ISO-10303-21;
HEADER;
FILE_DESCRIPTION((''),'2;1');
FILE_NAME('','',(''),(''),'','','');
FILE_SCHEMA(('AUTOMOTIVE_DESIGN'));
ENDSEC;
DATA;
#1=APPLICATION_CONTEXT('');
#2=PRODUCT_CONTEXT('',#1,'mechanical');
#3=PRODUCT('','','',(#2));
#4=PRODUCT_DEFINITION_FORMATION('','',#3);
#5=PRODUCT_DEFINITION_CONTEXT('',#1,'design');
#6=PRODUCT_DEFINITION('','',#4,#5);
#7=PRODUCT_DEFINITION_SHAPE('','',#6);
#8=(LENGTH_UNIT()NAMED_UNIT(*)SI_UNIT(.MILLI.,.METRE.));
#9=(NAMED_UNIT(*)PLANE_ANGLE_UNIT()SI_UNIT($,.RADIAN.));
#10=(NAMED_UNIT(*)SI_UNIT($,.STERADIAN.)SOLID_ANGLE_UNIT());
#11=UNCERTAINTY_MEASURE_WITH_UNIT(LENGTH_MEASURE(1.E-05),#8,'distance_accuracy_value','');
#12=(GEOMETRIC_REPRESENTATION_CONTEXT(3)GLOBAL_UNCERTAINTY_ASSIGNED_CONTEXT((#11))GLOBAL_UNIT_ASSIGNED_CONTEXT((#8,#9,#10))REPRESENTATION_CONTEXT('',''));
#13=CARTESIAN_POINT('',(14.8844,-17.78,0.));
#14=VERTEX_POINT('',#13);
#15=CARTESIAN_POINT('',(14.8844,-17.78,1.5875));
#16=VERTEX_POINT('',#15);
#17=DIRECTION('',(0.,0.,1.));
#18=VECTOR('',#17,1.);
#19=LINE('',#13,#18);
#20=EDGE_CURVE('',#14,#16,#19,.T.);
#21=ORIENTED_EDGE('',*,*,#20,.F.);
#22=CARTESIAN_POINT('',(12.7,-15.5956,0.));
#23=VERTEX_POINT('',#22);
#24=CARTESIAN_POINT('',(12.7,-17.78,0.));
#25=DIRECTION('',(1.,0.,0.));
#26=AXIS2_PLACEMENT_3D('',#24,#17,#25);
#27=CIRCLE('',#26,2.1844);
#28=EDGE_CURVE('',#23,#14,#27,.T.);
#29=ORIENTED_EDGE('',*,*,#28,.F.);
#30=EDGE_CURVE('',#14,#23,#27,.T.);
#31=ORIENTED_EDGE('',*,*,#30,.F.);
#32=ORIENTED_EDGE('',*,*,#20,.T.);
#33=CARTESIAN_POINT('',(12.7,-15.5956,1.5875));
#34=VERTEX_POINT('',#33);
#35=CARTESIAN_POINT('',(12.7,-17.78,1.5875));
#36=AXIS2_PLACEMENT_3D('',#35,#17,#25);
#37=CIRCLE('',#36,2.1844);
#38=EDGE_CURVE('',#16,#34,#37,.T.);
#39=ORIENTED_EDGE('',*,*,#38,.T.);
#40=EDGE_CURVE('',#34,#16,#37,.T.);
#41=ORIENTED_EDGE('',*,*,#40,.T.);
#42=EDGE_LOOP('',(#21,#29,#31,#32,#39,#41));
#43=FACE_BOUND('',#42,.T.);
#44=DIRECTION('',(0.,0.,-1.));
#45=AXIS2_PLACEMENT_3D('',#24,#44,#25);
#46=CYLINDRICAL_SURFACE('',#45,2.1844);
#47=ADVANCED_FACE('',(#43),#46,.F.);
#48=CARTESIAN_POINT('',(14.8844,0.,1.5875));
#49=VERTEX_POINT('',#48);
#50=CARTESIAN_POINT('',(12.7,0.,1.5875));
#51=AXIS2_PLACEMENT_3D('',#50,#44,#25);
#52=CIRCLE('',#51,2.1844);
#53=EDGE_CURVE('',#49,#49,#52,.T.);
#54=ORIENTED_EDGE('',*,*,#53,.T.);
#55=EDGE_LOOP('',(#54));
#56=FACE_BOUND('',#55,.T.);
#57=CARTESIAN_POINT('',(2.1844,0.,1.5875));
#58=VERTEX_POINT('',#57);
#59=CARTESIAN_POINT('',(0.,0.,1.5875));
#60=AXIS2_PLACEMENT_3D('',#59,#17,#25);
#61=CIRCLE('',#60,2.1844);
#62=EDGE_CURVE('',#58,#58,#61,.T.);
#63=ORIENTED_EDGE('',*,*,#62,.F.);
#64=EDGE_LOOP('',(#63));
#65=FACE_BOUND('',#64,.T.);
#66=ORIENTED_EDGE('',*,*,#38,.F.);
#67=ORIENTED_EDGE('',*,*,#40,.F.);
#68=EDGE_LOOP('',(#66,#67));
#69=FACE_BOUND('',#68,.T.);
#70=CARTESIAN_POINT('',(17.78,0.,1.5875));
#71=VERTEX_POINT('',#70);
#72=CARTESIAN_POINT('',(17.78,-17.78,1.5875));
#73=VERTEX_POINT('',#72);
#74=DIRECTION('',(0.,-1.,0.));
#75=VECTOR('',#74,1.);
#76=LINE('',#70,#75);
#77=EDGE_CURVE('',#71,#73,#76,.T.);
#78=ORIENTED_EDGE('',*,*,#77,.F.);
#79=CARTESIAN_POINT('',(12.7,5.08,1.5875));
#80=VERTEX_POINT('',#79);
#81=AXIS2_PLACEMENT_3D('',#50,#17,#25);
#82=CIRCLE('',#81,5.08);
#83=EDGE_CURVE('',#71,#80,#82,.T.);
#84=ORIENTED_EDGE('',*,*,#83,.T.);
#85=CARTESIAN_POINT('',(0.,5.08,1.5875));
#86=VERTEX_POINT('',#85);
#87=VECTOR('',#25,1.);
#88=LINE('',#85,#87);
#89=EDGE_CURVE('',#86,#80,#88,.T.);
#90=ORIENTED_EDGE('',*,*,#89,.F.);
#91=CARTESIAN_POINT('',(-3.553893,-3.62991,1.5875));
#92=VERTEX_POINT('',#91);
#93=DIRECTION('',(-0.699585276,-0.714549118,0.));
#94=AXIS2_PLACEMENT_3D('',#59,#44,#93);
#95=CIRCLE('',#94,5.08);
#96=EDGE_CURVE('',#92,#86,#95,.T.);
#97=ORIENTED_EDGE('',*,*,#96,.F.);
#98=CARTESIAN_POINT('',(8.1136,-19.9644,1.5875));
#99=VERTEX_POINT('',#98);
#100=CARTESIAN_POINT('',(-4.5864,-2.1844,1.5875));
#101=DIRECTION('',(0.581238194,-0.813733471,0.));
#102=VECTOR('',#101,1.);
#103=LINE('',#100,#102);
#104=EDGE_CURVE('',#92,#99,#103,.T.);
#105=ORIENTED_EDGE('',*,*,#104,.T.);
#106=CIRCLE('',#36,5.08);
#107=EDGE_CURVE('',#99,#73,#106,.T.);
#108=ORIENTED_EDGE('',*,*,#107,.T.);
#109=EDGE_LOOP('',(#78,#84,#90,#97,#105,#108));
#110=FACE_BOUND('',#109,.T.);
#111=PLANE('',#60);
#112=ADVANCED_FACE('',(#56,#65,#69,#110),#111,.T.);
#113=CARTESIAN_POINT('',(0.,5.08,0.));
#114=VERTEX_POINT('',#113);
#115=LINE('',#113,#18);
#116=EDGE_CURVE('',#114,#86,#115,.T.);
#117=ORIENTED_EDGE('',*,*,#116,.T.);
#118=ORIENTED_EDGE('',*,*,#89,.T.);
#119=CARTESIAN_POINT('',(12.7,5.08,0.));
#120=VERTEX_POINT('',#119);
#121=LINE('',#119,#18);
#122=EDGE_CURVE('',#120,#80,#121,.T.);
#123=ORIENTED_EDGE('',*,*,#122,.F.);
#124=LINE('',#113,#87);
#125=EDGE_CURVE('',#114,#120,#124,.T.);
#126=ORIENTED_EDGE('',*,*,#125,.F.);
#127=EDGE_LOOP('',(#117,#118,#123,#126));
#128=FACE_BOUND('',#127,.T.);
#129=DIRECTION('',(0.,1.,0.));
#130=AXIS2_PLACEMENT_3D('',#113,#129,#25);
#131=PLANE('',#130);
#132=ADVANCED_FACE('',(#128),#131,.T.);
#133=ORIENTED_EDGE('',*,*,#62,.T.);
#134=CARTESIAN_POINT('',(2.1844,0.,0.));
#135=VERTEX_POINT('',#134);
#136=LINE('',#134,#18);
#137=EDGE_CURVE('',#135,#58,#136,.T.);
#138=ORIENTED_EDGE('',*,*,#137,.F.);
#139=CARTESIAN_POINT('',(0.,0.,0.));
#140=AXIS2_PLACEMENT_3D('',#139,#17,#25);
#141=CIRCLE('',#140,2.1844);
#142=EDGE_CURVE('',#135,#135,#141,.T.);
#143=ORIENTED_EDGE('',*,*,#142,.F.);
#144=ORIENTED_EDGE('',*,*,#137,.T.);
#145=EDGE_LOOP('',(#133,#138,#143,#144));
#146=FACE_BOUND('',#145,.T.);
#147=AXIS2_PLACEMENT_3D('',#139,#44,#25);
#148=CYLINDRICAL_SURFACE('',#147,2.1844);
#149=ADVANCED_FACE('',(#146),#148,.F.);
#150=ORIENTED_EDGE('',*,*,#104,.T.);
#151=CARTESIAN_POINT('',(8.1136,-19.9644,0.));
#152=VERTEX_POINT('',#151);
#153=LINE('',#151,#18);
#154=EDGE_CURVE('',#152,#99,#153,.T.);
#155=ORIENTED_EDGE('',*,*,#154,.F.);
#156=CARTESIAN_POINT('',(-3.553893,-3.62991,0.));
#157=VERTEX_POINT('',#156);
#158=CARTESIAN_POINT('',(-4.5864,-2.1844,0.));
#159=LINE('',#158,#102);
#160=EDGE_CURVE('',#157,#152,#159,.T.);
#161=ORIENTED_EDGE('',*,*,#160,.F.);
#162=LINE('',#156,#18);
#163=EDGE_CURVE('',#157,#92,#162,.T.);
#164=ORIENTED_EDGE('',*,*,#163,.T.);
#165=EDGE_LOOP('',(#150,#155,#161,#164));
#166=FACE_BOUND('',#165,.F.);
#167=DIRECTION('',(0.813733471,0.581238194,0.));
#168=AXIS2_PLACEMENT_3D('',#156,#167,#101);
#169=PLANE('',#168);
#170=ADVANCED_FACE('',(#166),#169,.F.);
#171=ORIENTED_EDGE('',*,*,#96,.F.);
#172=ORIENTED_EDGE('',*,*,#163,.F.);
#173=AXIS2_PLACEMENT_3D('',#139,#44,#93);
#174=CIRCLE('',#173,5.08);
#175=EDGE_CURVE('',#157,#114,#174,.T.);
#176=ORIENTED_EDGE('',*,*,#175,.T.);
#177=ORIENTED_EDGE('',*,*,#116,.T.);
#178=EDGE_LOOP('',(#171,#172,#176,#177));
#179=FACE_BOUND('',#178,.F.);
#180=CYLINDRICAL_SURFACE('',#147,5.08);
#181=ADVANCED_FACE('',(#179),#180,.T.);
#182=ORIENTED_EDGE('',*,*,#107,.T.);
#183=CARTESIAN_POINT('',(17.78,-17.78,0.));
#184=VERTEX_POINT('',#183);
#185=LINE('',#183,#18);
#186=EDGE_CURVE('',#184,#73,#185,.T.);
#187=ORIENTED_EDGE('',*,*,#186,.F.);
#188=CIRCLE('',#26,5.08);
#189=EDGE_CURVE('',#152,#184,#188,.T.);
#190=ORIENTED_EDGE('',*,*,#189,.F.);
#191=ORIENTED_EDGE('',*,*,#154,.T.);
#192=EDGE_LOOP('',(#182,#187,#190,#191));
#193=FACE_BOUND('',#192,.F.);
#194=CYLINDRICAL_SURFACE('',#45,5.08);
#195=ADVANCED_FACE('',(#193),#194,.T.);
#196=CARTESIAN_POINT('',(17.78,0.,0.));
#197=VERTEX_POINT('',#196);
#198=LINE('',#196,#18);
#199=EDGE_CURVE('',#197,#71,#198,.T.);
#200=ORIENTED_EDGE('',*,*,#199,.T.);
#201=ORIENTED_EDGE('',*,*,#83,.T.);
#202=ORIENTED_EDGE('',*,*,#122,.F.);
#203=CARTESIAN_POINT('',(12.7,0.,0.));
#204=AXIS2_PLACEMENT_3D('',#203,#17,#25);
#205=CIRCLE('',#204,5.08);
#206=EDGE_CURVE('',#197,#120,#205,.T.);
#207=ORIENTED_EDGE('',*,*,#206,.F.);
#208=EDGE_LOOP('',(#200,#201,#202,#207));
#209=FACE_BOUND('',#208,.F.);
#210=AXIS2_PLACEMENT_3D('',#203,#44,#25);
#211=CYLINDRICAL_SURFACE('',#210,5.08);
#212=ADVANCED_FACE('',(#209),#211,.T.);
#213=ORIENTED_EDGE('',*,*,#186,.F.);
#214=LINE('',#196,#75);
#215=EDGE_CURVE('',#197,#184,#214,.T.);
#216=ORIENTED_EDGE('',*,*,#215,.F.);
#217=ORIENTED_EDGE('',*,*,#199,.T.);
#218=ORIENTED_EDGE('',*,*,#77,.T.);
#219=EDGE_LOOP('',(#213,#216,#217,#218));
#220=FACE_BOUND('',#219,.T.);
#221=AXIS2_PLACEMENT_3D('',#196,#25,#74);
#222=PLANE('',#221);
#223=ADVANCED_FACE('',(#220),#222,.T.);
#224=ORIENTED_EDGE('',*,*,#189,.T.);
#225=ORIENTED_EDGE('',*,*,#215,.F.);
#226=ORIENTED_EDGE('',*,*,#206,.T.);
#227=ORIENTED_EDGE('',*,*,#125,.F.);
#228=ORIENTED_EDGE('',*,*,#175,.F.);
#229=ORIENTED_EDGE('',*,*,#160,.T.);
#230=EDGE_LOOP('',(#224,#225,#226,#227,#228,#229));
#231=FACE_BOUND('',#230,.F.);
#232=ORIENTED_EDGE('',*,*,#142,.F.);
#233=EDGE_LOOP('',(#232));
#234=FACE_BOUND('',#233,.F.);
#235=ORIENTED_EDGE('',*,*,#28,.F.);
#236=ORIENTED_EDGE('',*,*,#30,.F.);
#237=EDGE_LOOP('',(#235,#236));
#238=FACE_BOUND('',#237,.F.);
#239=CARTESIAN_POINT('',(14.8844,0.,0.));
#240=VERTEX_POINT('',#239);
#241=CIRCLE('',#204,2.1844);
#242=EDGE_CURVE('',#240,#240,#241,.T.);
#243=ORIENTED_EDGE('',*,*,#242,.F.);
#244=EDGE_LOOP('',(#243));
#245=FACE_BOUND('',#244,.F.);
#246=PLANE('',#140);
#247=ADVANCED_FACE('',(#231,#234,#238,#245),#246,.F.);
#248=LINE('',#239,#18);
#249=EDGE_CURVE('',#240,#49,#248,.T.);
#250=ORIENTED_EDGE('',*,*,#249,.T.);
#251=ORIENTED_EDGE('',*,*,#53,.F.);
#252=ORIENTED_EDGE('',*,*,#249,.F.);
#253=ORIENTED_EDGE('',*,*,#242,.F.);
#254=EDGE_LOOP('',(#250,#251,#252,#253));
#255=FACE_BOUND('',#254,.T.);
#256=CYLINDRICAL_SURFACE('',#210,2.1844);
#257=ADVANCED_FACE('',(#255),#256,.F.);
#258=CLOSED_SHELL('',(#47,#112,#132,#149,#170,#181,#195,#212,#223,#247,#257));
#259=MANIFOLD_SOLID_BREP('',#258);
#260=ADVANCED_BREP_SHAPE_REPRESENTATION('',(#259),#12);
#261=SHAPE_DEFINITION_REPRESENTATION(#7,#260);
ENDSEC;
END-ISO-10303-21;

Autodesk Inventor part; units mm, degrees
ref_plane "YZ Plane" through (0, 0, 0) normal (1, 0, 0) x (0, 1, 0)
ref_plane "XZ Plane" through (0, 0, 0) normal (0, 1, 0) x (-1, 0, 0)
ref_plane "XY Plane" through (0, 0, 0) normal (0, 0, 1) x (1, 0, 0)
sketch "Sketch1" plane through (0, 0, 0) normal (0, 0, 1) x (1, 0, 0)
  circle A0 centre (0, 0) radius 2.1844
  line L0 (0, 0) -> (12.7, 0)
  circle A1 centre (12.7, 0) radius 2.1844
  line L1 (12.7, 0) -> (12.7, -17.78)
  circle A2 centre (12.7, -17.78) radius 2.1844
  circle A3 centre (0, 0) radius 5.08
  circle A4 centre (12.7, 0) radius 5.08
  circle A5 centre (12.7, -17.78) radius 5.08
  line L2 (0, 5.08) -> (12.7, 5.08)
  line L3 (17.78, 0) -> (17.78, -17.78)
  line L4 (-4.5864, -2.1844) -> (8.1136, -19.9644)
  point P0 (-3.5538, -3.63)
  dimension "d8" = 4.3688
  dimension "d9" = 12.7
  dimension "d10" = 4.3688
  dimension "d11" = 17.78
  dimension "d12" = 4.3688
  dimension "d13" = 10.16
  dimension "d14" = 10.16
  dimension "d15" = 10.16
extrude "Extrusion2" add sketch "Sketch1" along normal blind 1.5875 contours A3 L4 | A3 L2 A4 L0 | L0 A4 L1 A5 L4 A3 | A4 L1 A1 L0 | L0 A1 L1 A4 | A3 L4 | A4 L3 A5 L1 | A5
properties part number "Wing poly connection 2"
